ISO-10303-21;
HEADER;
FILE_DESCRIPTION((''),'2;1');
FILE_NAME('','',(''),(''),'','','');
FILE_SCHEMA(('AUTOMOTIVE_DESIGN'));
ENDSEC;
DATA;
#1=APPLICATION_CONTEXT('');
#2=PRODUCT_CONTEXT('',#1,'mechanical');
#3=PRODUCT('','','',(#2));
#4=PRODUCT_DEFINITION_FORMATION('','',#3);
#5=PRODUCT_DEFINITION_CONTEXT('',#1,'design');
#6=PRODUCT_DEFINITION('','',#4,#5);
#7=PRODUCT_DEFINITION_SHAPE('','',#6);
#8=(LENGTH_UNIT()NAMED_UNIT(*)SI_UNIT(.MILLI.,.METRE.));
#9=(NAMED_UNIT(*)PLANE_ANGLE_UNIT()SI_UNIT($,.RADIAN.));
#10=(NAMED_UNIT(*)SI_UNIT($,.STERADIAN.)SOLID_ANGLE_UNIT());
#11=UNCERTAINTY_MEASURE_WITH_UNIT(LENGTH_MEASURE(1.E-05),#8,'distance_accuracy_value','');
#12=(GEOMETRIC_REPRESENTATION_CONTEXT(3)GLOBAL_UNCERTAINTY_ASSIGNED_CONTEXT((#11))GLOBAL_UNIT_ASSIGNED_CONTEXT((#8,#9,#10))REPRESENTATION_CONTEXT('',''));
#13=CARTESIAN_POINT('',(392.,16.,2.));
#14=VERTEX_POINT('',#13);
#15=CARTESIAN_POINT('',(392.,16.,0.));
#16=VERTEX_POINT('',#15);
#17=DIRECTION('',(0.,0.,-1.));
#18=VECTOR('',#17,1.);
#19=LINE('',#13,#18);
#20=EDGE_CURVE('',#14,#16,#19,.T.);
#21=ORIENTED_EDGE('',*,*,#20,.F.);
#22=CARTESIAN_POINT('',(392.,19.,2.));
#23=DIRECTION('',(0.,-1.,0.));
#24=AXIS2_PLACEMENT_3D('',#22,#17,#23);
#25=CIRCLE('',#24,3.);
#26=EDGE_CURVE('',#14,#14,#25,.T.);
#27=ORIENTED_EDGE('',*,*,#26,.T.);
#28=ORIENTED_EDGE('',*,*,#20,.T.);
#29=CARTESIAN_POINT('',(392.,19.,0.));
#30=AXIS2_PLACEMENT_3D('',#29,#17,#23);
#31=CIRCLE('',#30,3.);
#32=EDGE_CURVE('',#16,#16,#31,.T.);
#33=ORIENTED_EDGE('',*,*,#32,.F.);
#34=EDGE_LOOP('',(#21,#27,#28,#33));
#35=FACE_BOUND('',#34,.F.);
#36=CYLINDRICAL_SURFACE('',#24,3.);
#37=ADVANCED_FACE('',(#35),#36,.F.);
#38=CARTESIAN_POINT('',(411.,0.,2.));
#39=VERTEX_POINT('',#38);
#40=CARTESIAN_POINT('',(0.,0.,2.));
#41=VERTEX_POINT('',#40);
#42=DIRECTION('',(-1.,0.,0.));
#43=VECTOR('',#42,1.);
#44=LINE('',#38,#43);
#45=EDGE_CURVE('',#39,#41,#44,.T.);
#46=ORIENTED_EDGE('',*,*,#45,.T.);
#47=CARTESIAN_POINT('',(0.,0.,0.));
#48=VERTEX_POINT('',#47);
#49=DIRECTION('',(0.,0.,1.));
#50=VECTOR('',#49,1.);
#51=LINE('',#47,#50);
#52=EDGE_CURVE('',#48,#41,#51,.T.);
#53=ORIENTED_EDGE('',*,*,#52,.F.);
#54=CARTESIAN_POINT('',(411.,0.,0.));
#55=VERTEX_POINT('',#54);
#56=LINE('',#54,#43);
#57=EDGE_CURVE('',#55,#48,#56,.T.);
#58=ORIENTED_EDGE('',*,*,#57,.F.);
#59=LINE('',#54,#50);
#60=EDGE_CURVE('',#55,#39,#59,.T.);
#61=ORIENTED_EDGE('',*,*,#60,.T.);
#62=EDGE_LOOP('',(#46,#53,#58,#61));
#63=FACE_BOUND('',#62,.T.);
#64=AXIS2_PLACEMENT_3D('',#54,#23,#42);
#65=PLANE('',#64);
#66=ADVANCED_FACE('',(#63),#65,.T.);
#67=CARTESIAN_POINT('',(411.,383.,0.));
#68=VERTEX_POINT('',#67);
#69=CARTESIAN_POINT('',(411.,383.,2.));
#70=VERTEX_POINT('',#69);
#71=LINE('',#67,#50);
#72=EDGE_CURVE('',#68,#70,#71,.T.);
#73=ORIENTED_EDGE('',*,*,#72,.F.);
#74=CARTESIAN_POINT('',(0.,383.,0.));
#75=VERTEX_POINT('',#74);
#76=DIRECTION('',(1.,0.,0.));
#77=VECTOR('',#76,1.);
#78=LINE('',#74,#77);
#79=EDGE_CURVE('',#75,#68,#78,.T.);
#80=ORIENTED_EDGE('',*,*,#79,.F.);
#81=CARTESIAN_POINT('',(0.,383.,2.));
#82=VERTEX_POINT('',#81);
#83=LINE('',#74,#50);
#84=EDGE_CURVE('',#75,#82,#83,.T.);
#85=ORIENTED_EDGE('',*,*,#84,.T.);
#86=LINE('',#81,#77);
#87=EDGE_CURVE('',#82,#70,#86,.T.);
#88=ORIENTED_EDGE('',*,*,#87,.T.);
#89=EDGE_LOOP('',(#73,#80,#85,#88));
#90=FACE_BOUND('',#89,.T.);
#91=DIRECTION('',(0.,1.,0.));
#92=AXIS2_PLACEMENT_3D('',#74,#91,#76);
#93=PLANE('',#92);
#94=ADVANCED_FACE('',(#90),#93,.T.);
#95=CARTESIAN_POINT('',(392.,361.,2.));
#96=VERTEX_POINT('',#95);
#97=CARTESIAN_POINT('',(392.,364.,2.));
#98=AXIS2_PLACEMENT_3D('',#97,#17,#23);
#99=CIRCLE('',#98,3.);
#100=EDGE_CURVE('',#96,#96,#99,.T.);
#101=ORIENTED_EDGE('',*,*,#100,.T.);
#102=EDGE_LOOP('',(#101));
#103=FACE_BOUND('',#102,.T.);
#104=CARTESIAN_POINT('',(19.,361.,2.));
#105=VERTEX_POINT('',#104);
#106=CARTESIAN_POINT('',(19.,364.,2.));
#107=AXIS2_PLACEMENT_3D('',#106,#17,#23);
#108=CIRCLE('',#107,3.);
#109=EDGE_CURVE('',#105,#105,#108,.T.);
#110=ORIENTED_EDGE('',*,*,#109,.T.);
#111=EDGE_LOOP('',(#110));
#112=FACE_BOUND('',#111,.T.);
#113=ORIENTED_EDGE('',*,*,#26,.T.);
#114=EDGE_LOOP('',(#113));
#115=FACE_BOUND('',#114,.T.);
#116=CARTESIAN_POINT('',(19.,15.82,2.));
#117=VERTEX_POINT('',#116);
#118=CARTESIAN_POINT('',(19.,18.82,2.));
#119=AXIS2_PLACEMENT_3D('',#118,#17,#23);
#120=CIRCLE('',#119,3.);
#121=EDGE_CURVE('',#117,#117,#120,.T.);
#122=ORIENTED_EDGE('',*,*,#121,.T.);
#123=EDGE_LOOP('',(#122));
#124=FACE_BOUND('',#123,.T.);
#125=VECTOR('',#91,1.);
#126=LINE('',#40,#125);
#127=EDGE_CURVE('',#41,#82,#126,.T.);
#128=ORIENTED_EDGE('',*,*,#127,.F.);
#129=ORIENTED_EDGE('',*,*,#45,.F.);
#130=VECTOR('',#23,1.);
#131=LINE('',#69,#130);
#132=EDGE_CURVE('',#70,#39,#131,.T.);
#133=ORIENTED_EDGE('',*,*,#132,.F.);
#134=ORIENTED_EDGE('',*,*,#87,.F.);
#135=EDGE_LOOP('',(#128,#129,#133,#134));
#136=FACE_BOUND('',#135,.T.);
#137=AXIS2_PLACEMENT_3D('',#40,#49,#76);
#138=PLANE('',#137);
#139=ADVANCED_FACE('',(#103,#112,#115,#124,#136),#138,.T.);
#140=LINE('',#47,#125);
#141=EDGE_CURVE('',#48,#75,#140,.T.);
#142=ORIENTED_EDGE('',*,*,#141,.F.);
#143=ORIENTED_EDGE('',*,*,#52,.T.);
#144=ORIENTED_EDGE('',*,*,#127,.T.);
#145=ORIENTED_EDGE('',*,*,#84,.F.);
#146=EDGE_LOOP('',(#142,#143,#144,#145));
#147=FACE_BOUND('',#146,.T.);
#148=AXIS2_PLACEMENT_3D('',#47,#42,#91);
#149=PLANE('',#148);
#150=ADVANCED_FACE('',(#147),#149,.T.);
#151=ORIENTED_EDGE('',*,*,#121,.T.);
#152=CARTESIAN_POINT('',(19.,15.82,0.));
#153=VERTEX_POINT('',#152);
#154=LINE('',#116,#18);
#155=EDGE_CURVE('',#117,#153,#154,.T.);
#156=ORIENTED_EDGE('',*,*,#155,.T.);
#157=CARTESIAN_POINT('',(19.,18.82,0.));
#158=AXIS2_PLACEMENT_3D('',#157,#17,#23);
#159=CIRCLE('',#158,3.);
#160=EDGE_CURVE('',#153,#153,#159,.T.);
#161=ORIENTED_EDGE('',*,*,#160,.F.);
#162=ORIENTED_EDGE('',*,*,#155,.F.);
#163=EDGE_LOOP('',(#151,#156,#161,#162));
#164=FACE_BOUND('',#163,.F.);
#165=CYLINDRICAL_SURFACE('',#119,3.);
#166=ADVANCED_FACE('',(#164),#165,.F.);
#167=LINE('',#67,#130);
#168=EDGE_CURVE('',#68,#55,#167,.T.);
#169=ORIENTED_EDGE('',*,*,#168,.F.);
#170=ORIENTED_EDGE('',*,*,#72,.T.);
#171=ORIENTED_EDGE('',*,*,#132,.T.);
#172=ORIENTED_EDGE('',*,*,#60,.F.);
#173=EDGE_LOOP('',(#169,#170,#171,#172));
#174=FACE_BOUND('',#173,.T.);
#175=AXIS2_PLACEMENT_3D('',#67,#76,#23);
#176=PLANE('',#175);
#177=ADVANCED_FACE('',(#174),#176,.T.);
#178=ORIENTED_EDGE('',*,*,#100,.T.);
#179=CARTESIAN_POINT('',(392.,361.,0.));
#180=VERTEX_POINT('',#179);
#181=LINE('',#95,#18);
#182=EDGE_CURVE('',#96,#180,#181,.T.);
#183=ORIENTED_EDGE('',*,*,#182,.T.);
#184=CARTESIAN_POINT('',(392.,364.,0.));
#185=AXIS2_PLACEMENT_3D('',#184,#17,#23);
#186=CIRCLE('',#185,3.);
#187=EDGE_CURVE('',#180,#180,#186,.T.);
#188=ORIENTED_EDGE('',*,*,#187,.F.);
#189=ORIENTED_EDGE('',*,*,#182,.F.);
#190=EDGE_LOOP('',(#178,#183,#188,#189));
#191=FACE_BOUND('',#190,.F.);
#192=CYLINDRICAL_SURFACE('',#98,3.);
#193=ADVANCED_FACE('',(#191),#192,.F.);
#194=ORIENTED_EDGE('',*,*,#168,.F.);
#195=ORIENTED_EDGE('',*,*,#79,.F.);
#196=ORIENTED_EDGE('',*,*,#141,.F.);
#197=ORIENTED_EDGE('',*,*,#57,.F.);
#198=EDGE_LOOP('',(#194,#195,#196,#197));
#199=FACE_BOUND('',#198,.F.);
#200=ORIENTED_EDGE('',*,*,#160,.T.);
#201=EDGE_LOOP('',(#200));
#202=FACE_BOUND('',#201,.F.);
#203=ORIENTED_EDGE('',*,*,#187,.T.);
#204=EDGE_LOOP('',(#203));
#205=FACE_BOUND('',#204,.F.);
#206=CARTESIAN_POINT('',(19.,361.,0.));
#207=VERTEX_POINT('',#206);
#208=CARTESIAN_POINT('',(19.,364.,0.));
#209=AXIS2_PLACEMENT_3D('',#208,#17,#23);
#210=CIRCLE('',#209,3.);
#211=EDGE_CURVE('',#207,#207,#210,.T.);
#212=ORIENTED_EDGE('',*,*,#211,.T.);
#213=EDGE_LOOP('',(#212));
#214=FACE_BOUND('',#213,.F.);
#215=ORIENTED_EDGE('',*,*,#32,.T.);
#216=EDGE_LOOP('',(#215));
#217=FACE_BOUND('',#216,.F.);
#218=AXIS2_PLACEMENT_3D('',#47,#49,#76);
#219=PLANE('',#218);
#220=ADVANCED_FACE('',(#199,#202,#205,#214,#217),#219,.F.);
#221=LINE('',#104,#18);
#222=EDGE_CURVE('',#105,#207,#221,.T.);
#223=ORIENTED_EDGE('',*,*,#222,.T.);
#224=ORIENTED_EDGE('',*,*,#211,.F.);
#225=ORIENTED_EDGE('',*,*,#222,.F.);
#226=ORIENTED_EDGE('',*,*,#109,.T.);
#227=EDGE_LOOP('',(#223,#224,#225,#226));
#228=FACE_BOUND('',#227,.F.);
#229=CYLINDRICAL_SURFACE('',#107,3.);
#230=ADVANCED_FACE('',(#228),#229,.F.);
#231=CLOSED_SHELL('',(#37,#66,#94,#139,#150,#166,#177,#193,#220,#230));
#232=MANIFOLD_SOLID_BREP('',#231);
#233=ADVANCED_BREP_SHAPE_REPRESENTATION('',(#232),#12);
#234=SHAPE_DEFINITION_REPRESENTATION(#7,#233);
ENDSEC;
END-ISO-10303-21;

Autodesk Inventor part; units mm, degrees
ref_plane "YZ Plane" through (0, 0, 0) normal (1, 0, 0) x (0, 1, 0)
ref_plane "XZ Plane" through (0, 0, 0) normal (0, 1, 0) x (-1, 0, 0)
ref_plane "XY Plane" through (0, 0, 0) normal (0, 0, 1) x (1, 0, 0)
sketch "Sketch1" plane through (0, 0, 0) normal (0, 0, 1) x (1, 0, 0)
  line L0 (0, 0) -> (0, 383)
  line L1 (0, 383) -> (411, 383)
  line L2 (411, 383) -> (411, 0)
  line L3 (411, 0) -> (0, 0)
  dimension "d0" = 383
  dimension "d1" = 411
extrude "Extrusion1" add sketch "Sketch1" along normal blind 2
sketch "Sketch2" plane through (0, 0, 2) normal (0, 0, 1) x (1, 0, 0)
  line L0 (0, 383) -> (0, 0) projected
  line L1 (0, 0) -> (0, 19)
  line L2 (0, 19) -> (19, 19)
  circle A0 centre (19, 19) radius 3
  point P0 (19, 18.82)
  dimension "d44" = 19
  dimension "d46" = 19
  dimension "d47" = 6
hole "Hole1" at (19, 18.82, 2) direction (0, 0, -1) diameter 6 end through all
sketch "Sketch3" plane through (0, 0, 2) normal (0, 0, 1) x (1, 0, 0)
  line L0 (411, 0) -> (0, 0) projected
  line L1 (411, 0) -> (411, 383) projected
  line L2 (411, 0) -> (411, 19)
  line L3 (411, 19) -> (392, 19)
  circle A0 centre (392, 19) radius 3
  dimension "d49" = 19
  dimension "d50" = 19
  dimension "d51" = 6
hole "Hole2" at (392, 19, 2) direction (0, 0, -1) diameter 6 end through all
sketch "Sketch4" plane through (0, 0, 2) normal (0, 0, 1) x (1, 0, 0)
  line L0 (0, 383) -> (0, 0) projected
  line L1 (0, 383) -> (0, 364)
  line L2 (0, 364) -> (19, 364)
  circle A0 centre (19, 364) radius 3
  dimension "d53" = 19
  dimension "d54" = 19
  dimension "d55" = 6
hole "Hole3" at (19, 364, 2) direction (0, 0, -1) diameter 6 end through all
sketch "Sketch5" plane through (0, 0, 2) normal (0, 0, 1) x (1, 0, 0)
  line L0 (411, 383) -> (0, 383) projected
  line L1 (411, 383) -> (411, 364)
  line L2 (411, 0) -> (411, 383) projected
  line L3 (411, 364) -> (392, 364)
  circle A0 centre (392, 364) radius 3
  point P0 (0, 0)
  dimension "d56" = 19
  dimension "d57" = 19
  dimension "d58" = 6
hole "Hole4" at (392, 364, 2) direction (0, 0, -1) diameter 6 end through all
properties part number "bundplade" material "Steel"
